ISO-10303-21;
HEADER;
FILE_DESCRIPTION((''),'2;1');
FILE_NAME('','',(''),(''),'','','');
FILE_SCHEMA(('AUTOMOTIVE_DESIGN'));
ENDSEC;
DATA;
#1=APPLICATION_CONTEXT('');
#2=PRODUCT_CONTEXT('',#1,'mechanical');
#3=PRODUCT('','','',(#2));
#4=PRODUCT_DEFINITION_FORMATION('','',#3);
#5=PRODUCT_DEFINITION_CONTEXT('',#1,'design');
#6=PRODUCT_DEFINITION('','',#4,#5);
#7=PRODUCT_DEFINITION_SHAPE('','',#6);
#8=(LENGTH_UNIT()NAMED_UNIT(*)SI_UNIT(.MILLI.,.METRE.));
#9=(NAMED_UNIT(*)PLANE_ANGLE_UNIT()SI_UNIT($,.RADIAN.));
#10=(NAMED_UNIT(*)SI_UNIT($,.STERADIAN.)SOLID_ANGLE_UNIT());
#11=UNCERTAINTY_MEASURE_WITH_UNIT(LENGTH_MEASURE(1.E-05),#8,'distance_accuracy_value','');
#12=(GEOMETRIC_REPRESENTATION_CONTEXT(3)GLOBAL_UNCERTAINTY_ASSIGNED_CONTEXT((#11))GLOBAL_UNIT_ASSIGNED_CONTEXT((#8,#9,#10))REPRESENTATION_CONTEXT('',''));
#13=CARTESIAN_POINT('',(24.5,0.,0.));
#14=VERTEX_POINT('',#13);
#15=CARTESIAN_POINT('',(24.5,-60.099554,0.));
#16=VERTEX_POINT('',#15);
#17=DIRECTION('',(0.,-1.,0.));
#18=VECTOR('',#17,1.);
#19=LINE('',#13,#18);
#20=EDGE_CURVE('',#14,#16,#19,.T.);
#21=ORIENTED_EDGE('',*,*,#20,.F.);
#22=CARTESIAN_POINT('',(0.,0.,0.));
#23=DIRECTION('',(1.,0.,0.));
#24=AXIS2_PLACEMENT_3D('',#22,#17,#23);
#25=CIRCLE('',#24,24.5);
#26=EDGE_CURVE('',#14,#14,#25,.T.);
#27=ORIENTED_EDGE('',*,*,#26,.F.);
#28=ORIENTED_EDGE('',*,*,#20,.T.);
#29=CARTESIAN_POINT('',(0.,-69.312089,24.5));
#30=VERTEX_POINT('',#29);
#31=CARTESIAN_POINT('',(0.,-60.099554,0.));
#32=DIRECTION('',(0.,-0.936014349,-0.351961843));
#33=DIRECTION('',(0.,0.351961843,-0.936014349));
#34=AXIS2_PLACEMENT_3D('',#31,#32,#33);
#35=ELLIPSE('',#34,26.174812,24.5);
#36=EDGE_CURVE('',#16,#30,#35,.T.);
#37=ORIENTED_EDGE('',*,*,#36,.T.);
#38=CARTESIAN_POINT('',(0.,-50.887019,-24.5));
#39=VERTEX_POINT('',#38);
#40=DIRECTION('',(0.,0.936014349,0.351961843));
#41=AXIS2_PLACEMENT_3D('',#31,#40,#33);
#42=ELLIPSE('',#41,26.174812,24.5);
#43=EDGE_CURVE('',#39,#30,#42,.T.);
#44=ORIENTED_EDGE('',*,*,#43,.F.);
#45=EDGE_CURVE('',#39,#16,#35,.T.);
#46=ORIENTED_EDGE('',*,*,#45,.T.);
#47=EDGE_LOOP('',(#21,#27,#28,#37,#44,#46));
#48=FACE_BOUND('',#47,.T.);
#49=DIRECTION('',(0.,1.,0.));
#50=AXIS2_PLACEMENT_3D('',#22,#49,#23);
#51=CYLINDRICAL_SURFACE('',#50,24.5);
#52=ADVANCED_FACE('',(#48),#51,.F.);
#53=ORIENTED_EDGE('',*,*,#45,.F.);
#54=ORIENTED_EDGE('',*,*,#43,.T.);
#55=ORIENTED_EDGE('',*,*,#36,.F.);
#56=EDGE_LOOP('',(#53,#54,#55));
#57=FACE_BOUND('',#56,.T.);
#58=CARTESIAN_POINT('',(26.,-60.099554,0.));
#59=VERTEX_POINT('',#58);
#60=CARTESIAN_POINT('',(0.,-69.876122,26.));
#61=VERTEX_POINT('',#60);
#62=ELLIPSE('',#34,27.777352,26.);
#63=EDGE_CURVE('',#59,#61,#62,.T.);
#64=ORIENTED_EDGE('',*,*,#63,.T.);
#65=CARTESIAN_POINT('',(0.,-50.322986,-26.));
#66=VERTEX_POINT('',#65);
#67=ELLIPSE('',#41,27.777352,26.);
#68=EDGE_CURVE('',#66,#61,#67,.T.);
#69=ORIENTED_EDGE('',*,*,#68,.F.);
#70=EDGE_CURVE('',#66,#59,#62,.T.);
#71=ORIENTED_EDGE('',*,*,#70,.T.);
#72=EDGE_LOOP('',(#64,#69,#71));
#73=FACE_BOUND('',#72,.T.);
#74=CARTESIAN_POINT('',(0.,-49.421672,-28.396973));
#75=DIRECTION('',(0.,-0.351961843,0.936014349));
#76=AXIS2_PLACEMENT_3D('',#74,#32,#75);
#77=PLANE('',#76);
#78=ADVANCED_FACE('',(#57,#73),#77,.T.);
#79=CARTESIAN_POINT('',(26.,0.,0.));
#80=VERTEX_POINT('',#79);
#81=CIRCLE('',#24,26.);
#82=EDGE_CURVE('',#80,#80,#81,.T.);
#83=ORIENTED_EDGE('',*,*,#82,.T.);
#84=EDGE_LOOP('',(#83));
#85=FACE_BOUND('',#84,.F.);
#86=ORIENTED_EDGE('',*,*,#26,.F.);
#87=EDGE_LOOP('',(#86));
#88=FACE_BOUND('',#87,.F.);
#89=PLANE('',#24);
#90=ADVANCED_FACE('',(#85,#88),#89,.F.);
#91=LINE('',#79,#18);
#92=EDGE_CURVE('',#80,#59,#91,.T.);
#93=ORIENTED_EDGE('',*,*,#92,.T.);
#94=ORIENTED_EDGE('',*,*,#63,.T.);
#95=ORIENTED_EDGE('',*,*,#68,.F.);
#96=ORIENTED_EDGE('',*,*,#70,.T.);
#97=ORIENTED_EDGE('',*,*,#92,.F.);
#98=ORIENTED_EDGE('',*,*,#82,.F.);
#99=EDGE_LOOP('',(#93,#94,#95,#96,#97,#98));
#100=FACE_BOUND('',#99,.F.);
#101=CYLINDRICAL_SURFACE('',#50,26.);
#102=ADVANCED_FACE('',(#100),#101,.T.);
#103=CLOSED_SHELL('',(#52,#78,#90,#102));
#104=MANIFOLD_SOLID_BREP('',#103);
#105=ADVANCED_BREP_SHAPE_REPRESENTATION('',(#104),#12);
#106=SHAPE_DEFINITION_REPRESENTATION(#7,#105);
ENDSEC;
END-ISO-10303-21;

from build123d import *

# Parameters (mm, degrees)
F0_R          = 26
F0_R_2        = 24.5
F1_DEPTH      = 70
F3_DEPTH      = 30
F3_DEPTH_BACK = 30


with BuildPart() as f1:
    # F0 (on Front) → F1 (new body)
    with BuildSketch(Plane.XZ):
        Circle(F0_R)
        Circle(F0_R_2, mode=Mode.SUBTRACT)
    extrude(amount=F1_DEPTH)

    # F2 (on Right) → F3 (cut, two sides)
    with BuildSketch(Plane.YZ) as f3_sk:
        Polygon((-70.4779922962, 27.6006255299), (-73.6822113395, -28.3969733864), (-49.421671778, -28.3969733864), align=None)
    extrude(amount=-F3_DEPTH, mode=Mode.SUBTRACT)
    extrude(f3_sk.sketch, amount=F3_DEPTH_BACK, mode=Mode.SUBTRACT)


solid = f1.part
